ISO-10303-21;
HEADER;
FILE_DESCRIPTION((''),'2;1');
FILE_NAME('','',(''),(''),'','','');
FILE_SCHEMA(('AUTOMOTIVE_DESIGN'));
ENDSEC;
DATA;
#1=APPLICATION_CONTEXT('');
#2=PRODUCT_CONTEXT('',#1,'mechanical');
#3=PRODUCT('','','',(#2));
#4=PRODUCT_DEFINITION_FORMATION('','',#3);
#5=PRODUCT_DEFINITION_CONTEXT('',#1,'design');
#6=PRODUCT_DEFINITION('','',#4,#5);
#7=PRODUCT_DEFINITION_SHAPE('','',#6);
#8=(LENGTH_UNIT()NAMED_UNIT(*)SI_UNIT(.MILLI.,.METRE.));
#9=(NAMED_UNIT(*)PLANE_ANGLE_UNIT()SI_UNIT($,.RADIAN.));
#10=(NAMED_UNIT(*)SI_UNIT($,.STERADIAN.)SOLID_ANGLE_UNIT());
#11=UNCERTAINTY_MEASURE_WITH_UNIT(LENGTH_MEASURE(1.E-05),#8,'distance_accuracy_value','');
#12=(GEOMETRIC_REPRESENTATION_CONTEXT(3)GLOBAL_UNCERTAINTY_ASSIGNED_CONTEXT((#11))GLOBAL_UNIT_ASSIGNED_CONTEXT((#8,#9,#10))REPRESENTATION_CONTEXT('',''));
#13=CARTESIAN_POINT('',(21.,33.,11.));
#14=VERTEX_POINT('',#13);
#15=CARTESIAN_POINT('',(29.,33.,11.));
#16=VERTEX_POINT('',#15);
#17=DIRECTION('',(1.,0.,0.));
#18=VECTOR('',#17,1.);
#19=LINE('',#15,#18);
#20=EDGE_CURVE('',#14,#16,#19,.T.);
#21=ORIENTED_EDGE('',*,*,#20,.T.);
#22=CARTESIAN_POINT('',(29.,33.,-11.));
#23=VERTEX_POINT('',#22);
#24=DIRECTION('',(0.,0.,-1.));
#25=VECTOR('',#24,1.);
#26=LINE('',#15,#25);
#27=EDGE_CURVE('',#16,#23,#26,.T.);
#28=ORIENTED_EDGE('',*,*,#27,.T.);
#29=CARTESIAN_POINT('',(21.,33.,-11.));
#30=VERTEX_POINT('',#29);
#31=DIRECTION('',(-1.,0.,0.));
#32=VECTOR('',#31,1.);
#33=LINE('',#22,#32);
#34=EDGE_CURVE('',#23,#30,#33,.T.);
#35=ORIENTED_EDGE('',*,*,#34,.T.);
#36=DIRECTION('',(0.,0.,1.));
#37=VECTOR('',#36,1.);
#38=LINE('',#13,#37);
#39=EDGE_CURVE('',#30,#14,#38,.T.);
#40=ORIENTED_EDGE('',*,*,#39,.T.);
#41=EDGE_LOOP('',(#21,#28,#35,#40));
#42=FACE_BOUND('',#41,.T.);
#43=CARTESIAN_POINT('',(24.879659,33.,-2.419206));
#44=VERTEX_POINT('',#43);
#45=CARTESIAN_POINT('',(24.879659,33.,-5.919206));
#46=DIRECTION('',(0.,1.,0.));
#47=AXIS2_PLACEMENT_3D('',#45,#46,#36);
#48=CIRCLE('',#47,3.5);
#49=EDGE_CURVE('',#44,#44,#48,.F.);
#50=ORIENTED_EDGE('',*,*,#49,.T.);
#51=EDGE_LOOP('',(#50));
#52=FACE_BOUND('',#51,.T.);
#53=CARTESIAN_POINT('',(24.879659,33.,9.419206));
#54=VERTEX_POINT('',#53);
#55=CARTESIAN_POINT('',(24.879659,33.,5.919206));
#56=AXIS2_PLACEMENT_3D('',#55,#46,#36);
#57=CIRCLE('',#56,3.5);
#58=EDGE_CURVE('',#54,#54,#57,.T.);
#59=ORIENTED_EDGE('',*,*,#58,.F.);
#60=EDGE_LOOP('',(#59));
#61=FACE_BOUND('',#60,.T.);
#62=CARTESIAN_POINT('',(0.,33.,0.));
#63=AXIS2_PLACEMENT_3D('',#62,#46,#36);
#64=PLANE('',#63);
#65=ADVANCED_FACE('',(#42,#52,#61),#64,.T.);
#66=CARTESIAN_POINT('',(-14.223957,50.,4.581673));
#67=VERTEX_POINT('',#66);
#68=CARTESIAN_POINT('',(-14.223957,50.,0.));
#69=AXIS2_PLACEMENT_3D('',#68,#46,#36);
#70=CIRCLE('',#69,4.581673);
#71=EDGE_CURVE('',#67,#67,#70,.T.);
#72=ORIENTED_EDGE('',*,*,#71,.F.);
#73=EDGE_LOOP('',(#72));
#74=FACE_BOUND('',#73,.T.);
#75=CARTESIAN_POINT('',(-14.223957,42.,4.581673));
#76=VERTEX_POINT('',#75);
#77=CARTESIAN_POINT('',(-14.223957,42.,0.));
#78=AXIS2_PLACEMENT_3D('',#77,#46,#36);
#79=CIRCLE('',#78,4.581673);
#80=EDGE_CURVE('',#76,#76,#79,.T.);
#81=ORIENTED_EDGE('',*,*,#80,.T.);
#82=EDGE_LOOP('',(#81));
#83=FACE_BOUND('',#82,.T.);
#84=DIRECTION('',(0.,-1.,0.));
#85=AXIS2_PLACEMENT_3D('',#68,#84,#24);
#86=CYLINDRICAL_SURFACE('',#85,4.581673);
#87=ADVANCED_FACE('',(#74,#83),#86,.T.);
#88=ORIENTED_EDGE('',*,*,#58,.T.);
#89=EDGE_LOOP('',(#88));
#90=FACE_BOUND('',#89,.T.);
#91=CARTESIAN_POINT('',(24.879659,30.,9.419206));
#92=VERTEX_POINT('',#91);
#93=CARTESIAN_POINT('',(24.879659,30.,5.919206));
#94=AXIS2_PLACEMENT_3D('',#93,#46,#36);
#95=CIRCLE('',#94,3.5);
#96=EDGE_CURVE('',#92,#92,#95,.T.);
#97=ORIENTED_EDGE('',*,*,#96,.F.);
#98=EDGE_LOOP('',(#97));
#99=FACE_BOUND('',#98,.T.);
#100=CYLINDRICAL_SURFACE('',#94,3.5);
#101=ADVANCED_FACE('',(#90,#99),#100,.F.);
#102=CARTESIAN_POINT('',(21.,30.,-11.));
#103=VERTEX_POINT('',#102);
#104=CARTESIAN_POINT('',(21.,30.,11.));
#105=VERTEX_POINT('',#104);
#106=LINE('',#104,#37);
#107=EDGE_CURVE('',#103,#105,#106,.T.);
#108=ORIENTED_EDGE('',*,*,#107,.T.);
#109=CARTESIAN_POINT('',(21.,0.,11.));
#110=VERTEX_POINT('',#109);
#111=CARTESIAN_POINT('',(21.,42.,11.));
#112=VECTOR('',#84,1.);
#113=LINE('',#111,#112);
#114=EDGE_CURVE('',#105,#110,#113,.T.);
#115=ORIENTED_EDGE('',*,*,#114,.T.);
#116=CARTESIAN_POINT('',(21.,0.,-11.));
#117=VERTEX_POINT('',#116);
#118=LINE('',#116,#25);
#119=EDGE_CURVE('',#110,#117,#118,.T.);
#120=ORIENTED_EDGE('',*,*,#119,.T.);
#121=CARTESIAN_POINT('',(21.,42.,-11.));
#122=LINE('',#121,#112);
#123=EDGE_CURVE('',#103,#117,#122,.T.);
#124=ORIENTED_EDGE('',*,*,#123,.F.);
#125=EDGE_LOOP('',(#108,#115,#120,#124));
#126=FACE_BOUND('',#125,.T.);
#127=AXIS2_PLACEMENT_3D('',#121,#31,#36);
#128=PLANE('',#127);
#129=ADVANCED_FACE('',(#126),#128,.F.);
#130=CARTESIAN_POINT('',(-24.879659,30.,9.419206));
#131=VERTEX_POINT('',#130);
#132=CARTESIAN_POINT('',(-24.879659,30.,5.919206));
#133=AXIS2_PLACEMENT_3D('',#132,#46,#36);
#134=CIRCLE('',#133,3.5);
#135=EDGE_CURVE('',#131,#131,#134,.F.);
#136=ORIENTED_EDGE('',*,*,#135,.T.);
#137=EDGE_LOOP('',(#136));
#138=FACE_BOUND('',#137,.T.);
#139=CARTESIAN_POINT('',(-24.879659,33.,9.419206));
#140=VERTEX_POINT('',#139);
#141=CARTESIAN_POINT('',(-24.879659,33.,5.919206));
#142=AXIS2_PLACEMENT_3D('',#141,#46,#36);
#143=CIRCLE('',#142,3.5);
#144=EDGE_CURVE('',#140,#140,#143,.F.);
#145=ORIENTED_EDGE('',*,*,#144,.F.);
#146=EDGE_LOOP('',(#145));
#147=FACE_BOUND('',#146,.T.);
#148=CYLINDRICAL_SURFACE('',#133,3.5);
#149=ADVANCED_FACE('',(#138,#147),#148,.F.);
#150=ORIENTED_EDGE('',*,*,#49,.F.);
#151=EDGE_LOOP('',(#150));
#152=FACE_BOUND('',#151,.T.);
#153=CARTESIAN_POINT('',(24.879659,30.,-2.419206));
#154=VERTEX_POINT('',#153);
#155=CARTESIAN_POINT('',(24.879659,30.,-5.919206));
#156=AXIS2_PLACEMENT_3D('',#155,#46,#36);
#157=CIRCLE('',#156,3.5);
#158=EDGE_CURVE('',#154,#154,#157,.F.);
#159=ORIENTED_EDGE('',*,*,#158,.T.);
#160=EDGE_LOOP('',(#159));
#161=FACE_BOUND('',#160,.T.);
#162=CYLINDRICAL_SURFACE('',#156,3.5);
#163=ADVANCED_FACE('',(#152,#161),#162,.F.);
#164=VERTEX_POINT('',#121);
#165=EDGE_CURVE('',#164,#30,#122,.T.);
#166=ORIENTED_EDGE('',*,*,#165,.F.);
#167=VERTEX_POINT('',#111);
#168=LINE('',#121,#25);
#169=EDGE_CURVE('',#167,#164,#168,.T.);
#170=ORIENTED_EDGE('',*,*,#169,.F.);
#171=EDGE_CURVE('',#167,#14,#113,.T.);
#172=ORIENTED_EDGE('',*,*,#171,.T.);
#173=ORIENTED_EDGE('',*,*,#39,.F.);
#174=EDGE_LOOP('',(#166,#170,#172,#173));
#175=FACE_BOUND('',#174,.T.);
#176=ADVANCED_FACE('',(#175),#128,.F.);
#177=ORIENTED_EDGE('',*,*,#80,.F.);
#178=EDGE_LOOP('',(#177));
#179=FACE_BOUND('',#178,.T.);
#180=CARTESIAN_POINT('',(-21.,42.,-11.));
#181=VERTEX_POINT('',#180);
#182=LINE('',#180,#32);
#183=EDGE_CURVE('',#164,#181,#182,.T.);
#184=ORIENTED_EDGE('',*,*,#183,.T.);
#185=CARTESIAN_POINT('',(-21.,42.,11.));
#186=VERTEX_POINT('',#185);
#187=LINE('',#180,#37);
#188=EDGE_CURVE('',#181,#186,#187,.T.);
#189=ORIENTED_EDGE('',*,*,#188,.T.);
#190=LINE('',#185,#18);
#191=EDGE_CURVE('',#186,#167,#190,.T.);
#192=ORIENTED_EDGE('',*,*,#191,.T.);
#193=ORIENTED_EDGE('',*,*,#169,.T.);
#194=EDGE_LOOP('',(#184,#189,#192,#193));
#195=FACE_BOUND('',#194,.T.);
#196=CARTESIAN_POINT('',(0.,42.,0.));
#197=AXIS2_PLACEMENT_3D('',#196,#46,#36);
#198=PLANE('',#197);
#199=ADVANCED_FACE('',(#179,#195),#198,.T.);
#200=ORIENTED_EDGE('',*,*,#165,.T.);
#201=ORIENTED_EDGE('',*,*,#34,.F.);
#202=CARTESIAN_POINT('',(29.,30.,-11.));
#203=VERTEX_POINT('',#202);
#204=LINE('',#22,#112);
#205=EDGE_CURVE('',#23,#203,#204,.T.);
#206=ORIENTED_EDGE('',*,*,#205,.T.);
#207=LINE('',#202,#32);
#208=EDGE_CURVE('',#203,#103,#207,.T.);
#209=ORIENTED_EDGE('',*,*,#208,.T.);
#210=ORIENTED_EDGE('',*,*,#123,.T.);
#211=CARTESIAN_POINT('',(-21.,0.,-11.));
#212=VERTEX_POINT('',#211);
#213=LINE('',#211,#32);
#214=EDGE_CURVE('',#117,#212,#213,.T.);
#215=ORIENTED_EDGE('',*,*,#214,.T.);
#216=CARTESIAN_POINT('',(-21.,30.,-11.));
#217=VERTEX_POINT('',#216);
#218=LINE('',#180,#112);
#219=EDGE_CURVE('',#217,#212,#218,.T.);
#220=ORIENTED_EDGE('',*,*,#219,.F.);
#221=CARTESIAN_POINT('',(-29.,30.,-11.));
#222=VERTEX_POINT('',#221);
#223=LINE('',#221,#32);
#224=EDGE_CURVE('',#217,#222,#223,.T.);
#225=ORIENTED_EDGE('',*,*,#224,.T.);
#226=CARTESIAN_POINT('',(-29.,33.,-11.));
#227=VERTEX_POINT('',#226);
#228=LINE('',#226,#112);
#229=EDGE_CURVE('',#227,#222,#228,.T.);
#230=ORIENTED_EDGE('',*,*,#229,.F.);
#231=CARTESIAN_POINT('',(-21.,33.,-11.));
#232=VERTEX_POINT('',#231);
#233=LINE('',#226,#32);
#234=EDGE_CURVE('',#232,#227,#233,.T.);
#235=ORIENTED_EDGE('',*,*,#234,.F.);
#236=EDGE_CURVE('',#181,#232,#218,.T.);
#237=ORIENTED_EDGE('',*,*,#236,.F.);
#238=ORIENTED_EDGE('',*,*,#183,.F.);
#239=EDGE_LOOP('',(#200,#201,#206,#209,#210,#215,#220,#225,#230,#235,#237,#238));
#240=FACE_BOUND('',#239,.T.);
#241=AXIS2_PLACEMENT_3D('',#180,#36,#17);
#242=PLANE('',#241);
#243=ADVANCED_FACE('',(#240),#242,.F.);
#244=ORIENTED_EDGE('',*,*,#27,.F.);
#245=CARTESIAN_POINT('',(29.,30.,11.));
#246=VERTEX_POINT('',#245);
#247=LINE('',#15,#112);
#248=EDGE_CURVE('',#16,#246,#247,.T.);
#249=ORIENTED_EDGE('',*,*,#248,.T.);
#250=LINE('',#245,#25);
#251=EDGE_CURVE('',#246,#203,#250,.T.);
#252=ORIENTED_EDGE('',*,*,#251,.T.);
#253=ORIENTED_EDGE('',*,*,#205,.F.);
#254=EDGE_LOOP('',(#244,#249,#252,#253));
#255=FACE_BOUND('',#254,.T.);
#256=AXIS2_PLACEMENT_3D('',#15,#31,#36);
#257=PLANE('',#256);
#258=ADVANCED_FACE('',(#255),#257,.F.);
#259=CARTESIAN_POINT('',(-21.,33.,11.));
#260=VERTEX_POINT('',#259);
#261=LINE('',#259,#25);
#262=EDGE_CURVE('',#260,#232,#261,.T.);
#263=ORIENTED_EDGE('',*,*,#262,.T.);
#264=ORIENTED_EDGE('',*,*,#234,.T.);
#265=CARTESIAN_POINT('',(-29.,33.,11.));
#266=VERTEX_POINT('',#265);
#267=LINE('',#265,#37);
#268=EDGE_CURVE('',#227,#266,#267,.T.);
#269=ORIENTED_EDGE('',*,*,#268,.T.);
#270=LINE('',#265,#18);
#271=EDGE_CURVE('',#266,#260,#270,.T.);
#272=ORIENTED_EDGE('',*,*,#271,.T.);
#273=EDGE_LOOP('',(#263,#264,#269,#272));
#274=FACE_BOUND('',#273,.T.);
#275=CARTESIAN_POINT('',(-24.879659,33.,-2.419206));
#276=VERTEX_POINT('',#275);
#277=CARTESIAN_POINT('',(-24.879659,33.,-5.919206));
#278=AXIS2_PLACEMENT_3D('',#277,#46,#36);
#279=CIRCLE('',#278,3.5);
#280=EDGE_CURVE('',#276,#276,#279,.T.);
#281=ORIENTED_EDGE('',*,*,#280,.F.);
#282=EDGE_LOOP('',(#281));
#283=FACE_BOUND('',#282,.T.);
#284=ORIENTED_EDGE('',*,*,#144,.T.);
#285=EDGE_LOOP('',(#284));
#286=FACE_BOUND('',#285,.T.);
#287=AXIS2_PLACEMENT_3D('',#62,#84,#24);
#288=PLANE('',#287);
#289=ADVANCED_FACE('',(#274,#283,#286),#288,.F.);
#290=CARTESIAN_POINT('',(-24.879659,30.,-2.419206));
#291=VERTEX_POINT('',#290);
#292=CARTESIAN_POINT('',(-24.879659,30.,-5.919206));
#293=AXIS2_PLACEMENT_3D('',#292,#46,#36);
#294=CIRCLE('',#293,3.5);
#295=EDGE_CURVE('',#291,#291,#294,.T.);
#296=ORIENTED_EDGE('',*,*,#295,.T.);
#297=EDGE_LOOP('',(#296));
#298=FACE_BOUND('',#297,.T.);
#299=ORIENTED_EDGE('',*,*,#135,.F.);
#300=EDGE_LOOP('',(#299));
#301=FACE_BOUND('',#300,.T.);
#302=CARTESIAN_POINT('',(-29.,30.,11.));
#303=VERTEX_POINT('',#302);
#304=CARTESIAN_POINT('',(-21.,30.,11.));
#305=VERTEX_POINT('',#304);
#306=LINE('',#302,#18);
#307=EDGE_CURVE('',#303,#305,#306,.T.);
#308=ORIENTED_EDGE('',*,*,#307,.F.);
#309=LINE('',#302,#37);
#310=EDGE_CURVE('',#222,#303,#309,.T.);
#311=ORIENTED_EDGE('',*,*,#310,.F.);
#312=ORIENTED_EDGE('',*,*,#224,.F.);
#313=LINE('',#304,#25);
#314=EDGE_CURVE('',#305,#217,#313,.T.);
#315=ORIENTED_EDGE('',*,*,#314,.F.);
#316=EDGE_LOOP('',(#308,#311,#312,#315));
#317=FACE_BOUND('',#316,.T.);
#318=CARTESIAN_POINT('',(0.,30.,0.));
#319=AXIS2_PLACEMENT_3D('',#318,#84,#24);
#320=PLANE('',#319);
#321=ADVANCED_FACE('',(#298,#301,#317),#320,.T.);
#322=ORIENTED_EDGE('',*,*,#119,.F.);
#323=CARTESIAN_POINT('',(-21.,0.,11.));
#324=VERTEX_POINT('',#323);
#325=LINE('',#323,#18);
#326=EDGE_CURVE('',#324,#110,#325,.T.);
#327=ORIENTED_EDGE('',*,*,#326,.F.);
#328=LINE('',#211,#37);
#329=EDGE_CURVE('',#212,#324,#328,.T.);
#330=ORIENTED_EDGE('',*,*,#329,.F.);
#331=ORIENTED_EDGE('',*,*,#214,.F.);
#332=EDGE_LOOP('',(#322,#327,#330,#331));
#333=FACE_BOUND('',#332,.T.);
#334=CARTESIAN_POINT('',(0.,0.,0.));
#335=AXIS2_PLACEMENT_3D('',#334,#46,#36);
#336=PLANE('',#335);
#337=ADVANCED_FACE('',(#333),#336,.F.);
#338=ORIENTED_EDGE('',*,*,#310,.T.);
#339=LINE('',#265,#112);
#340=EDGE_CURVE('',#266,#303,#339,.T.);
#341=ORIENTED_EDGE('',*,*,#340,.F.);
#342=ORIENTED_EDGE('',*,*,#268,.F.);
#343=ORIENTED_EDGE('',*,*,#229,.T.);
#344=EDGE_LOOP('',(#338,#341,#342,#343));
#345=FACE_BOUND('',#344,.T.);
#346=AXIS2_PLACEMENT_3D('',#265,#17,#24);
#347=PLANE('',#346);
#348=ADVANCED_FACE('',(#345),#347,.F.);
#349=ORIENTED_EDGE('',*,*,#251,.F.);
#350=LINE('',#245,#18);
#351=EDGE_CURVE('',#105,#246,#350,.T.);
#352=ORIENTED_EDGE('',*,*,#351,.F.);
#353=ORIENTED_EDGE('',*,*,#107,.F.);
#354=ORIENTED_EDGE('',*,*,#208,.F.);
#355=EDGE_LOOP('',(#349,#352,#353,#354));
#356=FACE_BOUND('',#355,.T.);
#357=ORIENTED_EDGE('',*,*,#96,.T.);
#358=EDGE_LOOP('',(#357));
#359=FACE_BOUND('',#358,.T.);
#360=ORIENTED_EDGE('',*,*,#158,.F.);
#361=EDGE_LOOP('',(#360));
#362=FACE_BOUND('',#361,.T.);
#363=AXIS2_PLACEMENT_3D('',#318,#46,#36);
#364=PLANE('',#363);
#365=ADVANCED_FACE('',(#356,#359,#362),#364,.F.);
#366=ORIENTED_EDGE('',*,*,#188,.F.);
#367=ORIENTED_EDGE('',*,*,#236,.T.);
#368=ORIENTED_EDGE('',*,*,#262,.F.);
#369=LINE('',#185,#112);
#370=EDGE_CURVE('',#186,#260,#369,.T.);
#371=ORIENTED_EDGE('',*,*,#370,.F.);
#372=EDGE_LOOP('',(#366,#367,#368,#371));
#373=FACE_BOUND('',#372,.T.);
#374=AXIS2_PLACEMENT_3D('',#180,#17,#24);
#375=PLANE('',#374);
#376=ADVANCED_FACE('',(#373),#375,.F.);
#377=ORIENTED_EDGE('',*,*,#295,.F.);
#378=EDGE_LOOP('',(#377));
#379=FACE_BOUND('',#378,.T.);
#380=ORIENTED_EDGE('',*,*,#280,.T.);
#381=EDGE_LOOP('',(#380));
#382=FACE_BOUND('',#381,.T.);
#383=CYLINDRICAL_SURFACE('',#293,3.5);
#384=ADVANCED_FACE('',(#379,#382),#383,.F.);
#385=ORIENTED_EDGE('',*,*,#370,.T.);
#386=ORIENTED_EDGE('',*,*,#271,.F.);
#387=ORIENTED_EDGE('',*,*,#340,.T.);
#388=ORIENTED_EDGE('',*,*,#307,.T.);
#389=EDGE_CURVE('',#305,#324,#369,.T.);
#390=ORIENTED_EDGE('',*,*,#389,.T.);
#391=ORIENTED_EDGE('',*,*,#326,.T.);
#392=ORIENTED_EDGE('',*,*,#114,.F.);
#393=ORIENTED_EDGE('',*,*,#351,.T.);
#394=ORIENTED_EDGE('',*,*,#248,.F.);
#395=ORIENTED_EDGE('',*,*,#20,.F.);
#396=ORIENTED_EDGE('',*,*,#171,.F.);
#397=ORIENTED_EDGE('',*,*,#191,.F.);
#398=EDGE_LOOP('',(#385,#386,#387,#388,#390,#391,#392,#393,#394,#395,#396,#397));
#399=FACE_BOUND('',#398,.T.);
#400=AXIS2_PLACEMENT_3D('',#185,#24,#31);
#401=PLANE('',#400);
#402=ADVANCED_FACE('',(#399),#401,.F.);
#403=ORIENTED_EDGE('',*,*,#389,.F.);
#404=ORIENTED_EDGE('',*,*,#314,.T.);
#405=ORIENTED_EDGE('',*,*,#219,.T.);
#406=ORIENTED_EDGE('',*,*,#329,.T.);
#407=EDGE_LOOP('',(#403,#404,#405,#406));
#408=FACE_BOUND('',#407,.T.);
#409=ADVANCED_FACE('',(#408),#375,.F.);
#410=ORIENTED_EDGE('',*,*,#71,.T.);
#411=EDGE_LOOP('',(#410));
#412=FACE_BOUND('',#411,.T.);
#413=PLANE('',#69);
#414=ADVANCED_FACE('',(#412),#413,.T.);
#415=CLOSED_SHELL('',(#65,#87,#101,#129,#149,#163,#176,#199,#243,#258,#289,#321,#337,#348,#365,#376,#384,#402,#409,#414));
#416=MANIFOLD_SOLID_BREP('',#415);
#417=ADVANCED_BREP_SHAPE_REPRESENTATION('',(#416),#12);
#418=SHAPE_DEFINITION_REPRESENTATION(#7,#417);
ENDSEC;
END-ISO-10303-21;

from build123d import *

# Parameters (mm, degrees)
SKETCH_1_W          = 42
SKETCH_1_H          = 22
EXTRUDE_1_DEPTH     = 42
SKETCH_2_W          = 8
SKETCH_2_H          = 22
EXTRUDE_2_DEPTH     = 3
SKETCH_3_R          = 3.5
CUT_EXTRUDE_1_DEPTH = 3
SKETCH_4_R          = 4.581673227
EXTRUDE_3_DEPTH     = 8


with BuildPart() as part:
    # 草图1 → 凸台-拉伸1 (new body)
    with BuildSketch(Plane(origin=(0, 0, 0), x_dir=(1, 0, 0), z_dir=(0, 1, 0))):
        Rectangle(SKETCH_1_W, SKETCH_1_H)
    extrude(amount=EXTRUDE_1_DEPTH)

    # 草图2 → 凸台-拉伸2 (add)
    with BuildSketch(Plane(origin=(0, 30, 0), x_dir=(1, 0, 0), z_dir=(0, 1, 0))):
        with Locations((-25, 0)):
            Rectangle(SKETCH_2_W, SKETCH_2_H)
        with Locations((25, 0)):
            Rectangle(SKETCH_2_W, SKETCH_2_H)
    extrude(amount=EXTRUDE_2_DEPTH)

    # 草图3 → 切除-拉伸1 (cut)
    with BuildSketch(Plane(origin=(0, 33, 0), x_dir=(1, 0, 0), z_dir=(0, 1, 0))):
        with Locations(Location((-24.879659127, -5.919206434, 0), (0, 0, 270))):
            Circle(SKETCH_3_R)
        with Locations(Location((-24.879659127, 5.919206434, 0), (0, 0, 270))):
            Circle(SKETCH_3_R)
        with Locations(Location((24.879659127, 5.919206434, 0), (0, 0, 270))):
            Circle(SKETCH_3_R)
        with Locations(Location((24.879659127, -5.919206434, 0), (0, 0, 270))):
            Circle(SKETCH_3_R)
    extrude(amount=-CUT_EXTRUDE_1_DEPTH, mode=Mode.SUBTRACT)

    # 草图4 → 凸台-拉伸3 (add)
    with BuildSketch(Plane(origin=(0, 42, 0), x_dir=(1, 0, 0), z_dir=(0, 1, 0))):
        with Locations(Location((-14.223956567, 0, 0), (0, 0, 270))):
            Circle(SKETCH_4_R)
    extrude(amount=EXTRUDE_3_DEPTH)


solid = part.part
